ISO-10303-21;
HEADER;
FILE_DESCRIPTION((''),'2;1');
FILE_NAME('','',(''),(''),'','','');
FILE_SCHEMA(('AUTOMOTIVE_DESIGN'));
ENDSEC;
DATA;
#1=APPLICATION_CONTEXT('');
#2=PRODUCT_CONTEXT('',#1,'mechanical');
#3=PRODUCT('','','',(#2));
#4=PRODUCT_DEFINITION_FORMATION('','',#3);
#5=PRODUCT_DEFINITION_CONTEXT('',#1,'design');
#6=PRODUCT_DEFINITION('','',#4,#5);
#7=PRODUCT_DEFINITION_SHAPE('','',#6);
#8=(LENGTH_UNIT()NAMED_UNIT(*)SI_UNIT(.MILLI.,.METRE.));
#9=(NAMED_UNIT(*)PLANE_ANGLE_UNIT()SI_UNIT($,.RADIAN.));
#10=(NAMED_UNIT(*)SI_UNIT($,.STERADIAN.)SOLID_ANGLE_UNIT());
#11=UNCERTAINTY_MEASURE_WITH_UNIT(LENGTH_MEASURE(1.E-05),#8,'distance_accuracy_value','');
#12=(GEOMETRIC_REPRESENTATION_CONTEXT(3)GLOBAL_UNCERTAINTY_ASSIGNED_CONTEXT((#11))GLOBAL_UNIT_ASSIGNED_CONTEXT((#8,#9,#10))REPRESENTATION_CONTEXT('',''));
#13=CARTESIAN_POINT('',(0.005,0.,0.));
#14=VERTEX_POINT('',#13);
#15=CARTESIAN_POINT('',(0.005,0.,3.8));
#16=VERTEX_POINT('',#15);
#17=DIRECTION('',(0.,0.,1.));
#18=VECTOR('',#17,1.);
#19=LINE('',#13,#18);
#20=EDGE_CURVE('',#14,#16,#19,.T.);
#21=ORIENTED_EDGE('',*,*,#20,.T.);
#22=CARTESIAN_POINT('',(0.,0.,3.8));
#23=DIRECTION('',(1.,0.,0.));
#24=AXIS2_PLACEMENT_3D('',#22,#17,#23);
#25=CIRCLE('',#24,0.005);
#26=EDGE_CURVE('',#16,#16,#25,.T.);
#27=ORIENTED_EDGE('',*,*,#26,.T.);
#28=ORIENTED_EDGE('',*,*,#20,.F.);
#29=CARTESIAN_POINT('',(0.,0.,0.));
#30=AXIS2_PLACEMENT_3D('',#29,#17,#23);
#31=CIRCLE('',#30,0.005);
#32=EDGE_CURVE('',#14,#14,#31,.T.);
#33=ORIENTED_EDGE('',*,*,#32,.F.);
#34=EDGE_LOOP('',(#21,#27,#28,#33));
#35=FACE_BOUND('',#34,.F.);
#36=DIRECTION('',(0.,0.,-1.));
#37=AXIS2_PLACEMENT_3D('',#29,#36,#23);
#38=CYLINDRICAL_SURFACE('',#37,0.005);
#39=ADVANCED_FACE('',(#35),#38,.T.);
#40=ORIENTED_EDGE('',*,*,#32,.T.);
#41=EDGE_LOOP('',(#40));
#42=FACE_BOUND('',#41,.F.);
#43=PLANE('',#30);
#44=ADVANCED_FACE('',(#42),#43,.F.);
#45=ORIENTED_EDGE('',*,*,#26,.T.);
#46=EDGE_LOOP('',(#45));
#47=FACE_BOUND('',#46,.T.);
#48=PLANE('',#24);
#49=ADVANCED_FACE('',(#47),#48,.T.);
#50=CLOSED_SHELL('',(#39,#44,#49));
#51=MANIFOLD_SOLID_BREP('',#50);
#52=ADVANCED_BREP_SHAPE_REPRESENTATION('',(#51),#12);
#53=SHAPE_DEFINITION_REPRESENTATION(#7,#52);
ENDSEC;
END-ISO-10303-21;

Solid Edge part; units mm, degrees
sketch "Sketch1" plane through (0, 0, 0) normal (0, 0, 1) x (1, 0, 0)
  circle A0 centre (0, 0) radius 0.005
  dimension "D1" = 0.01
extrude "Protrusion1" add sketch "Sketch1" along normal blind 3.8
